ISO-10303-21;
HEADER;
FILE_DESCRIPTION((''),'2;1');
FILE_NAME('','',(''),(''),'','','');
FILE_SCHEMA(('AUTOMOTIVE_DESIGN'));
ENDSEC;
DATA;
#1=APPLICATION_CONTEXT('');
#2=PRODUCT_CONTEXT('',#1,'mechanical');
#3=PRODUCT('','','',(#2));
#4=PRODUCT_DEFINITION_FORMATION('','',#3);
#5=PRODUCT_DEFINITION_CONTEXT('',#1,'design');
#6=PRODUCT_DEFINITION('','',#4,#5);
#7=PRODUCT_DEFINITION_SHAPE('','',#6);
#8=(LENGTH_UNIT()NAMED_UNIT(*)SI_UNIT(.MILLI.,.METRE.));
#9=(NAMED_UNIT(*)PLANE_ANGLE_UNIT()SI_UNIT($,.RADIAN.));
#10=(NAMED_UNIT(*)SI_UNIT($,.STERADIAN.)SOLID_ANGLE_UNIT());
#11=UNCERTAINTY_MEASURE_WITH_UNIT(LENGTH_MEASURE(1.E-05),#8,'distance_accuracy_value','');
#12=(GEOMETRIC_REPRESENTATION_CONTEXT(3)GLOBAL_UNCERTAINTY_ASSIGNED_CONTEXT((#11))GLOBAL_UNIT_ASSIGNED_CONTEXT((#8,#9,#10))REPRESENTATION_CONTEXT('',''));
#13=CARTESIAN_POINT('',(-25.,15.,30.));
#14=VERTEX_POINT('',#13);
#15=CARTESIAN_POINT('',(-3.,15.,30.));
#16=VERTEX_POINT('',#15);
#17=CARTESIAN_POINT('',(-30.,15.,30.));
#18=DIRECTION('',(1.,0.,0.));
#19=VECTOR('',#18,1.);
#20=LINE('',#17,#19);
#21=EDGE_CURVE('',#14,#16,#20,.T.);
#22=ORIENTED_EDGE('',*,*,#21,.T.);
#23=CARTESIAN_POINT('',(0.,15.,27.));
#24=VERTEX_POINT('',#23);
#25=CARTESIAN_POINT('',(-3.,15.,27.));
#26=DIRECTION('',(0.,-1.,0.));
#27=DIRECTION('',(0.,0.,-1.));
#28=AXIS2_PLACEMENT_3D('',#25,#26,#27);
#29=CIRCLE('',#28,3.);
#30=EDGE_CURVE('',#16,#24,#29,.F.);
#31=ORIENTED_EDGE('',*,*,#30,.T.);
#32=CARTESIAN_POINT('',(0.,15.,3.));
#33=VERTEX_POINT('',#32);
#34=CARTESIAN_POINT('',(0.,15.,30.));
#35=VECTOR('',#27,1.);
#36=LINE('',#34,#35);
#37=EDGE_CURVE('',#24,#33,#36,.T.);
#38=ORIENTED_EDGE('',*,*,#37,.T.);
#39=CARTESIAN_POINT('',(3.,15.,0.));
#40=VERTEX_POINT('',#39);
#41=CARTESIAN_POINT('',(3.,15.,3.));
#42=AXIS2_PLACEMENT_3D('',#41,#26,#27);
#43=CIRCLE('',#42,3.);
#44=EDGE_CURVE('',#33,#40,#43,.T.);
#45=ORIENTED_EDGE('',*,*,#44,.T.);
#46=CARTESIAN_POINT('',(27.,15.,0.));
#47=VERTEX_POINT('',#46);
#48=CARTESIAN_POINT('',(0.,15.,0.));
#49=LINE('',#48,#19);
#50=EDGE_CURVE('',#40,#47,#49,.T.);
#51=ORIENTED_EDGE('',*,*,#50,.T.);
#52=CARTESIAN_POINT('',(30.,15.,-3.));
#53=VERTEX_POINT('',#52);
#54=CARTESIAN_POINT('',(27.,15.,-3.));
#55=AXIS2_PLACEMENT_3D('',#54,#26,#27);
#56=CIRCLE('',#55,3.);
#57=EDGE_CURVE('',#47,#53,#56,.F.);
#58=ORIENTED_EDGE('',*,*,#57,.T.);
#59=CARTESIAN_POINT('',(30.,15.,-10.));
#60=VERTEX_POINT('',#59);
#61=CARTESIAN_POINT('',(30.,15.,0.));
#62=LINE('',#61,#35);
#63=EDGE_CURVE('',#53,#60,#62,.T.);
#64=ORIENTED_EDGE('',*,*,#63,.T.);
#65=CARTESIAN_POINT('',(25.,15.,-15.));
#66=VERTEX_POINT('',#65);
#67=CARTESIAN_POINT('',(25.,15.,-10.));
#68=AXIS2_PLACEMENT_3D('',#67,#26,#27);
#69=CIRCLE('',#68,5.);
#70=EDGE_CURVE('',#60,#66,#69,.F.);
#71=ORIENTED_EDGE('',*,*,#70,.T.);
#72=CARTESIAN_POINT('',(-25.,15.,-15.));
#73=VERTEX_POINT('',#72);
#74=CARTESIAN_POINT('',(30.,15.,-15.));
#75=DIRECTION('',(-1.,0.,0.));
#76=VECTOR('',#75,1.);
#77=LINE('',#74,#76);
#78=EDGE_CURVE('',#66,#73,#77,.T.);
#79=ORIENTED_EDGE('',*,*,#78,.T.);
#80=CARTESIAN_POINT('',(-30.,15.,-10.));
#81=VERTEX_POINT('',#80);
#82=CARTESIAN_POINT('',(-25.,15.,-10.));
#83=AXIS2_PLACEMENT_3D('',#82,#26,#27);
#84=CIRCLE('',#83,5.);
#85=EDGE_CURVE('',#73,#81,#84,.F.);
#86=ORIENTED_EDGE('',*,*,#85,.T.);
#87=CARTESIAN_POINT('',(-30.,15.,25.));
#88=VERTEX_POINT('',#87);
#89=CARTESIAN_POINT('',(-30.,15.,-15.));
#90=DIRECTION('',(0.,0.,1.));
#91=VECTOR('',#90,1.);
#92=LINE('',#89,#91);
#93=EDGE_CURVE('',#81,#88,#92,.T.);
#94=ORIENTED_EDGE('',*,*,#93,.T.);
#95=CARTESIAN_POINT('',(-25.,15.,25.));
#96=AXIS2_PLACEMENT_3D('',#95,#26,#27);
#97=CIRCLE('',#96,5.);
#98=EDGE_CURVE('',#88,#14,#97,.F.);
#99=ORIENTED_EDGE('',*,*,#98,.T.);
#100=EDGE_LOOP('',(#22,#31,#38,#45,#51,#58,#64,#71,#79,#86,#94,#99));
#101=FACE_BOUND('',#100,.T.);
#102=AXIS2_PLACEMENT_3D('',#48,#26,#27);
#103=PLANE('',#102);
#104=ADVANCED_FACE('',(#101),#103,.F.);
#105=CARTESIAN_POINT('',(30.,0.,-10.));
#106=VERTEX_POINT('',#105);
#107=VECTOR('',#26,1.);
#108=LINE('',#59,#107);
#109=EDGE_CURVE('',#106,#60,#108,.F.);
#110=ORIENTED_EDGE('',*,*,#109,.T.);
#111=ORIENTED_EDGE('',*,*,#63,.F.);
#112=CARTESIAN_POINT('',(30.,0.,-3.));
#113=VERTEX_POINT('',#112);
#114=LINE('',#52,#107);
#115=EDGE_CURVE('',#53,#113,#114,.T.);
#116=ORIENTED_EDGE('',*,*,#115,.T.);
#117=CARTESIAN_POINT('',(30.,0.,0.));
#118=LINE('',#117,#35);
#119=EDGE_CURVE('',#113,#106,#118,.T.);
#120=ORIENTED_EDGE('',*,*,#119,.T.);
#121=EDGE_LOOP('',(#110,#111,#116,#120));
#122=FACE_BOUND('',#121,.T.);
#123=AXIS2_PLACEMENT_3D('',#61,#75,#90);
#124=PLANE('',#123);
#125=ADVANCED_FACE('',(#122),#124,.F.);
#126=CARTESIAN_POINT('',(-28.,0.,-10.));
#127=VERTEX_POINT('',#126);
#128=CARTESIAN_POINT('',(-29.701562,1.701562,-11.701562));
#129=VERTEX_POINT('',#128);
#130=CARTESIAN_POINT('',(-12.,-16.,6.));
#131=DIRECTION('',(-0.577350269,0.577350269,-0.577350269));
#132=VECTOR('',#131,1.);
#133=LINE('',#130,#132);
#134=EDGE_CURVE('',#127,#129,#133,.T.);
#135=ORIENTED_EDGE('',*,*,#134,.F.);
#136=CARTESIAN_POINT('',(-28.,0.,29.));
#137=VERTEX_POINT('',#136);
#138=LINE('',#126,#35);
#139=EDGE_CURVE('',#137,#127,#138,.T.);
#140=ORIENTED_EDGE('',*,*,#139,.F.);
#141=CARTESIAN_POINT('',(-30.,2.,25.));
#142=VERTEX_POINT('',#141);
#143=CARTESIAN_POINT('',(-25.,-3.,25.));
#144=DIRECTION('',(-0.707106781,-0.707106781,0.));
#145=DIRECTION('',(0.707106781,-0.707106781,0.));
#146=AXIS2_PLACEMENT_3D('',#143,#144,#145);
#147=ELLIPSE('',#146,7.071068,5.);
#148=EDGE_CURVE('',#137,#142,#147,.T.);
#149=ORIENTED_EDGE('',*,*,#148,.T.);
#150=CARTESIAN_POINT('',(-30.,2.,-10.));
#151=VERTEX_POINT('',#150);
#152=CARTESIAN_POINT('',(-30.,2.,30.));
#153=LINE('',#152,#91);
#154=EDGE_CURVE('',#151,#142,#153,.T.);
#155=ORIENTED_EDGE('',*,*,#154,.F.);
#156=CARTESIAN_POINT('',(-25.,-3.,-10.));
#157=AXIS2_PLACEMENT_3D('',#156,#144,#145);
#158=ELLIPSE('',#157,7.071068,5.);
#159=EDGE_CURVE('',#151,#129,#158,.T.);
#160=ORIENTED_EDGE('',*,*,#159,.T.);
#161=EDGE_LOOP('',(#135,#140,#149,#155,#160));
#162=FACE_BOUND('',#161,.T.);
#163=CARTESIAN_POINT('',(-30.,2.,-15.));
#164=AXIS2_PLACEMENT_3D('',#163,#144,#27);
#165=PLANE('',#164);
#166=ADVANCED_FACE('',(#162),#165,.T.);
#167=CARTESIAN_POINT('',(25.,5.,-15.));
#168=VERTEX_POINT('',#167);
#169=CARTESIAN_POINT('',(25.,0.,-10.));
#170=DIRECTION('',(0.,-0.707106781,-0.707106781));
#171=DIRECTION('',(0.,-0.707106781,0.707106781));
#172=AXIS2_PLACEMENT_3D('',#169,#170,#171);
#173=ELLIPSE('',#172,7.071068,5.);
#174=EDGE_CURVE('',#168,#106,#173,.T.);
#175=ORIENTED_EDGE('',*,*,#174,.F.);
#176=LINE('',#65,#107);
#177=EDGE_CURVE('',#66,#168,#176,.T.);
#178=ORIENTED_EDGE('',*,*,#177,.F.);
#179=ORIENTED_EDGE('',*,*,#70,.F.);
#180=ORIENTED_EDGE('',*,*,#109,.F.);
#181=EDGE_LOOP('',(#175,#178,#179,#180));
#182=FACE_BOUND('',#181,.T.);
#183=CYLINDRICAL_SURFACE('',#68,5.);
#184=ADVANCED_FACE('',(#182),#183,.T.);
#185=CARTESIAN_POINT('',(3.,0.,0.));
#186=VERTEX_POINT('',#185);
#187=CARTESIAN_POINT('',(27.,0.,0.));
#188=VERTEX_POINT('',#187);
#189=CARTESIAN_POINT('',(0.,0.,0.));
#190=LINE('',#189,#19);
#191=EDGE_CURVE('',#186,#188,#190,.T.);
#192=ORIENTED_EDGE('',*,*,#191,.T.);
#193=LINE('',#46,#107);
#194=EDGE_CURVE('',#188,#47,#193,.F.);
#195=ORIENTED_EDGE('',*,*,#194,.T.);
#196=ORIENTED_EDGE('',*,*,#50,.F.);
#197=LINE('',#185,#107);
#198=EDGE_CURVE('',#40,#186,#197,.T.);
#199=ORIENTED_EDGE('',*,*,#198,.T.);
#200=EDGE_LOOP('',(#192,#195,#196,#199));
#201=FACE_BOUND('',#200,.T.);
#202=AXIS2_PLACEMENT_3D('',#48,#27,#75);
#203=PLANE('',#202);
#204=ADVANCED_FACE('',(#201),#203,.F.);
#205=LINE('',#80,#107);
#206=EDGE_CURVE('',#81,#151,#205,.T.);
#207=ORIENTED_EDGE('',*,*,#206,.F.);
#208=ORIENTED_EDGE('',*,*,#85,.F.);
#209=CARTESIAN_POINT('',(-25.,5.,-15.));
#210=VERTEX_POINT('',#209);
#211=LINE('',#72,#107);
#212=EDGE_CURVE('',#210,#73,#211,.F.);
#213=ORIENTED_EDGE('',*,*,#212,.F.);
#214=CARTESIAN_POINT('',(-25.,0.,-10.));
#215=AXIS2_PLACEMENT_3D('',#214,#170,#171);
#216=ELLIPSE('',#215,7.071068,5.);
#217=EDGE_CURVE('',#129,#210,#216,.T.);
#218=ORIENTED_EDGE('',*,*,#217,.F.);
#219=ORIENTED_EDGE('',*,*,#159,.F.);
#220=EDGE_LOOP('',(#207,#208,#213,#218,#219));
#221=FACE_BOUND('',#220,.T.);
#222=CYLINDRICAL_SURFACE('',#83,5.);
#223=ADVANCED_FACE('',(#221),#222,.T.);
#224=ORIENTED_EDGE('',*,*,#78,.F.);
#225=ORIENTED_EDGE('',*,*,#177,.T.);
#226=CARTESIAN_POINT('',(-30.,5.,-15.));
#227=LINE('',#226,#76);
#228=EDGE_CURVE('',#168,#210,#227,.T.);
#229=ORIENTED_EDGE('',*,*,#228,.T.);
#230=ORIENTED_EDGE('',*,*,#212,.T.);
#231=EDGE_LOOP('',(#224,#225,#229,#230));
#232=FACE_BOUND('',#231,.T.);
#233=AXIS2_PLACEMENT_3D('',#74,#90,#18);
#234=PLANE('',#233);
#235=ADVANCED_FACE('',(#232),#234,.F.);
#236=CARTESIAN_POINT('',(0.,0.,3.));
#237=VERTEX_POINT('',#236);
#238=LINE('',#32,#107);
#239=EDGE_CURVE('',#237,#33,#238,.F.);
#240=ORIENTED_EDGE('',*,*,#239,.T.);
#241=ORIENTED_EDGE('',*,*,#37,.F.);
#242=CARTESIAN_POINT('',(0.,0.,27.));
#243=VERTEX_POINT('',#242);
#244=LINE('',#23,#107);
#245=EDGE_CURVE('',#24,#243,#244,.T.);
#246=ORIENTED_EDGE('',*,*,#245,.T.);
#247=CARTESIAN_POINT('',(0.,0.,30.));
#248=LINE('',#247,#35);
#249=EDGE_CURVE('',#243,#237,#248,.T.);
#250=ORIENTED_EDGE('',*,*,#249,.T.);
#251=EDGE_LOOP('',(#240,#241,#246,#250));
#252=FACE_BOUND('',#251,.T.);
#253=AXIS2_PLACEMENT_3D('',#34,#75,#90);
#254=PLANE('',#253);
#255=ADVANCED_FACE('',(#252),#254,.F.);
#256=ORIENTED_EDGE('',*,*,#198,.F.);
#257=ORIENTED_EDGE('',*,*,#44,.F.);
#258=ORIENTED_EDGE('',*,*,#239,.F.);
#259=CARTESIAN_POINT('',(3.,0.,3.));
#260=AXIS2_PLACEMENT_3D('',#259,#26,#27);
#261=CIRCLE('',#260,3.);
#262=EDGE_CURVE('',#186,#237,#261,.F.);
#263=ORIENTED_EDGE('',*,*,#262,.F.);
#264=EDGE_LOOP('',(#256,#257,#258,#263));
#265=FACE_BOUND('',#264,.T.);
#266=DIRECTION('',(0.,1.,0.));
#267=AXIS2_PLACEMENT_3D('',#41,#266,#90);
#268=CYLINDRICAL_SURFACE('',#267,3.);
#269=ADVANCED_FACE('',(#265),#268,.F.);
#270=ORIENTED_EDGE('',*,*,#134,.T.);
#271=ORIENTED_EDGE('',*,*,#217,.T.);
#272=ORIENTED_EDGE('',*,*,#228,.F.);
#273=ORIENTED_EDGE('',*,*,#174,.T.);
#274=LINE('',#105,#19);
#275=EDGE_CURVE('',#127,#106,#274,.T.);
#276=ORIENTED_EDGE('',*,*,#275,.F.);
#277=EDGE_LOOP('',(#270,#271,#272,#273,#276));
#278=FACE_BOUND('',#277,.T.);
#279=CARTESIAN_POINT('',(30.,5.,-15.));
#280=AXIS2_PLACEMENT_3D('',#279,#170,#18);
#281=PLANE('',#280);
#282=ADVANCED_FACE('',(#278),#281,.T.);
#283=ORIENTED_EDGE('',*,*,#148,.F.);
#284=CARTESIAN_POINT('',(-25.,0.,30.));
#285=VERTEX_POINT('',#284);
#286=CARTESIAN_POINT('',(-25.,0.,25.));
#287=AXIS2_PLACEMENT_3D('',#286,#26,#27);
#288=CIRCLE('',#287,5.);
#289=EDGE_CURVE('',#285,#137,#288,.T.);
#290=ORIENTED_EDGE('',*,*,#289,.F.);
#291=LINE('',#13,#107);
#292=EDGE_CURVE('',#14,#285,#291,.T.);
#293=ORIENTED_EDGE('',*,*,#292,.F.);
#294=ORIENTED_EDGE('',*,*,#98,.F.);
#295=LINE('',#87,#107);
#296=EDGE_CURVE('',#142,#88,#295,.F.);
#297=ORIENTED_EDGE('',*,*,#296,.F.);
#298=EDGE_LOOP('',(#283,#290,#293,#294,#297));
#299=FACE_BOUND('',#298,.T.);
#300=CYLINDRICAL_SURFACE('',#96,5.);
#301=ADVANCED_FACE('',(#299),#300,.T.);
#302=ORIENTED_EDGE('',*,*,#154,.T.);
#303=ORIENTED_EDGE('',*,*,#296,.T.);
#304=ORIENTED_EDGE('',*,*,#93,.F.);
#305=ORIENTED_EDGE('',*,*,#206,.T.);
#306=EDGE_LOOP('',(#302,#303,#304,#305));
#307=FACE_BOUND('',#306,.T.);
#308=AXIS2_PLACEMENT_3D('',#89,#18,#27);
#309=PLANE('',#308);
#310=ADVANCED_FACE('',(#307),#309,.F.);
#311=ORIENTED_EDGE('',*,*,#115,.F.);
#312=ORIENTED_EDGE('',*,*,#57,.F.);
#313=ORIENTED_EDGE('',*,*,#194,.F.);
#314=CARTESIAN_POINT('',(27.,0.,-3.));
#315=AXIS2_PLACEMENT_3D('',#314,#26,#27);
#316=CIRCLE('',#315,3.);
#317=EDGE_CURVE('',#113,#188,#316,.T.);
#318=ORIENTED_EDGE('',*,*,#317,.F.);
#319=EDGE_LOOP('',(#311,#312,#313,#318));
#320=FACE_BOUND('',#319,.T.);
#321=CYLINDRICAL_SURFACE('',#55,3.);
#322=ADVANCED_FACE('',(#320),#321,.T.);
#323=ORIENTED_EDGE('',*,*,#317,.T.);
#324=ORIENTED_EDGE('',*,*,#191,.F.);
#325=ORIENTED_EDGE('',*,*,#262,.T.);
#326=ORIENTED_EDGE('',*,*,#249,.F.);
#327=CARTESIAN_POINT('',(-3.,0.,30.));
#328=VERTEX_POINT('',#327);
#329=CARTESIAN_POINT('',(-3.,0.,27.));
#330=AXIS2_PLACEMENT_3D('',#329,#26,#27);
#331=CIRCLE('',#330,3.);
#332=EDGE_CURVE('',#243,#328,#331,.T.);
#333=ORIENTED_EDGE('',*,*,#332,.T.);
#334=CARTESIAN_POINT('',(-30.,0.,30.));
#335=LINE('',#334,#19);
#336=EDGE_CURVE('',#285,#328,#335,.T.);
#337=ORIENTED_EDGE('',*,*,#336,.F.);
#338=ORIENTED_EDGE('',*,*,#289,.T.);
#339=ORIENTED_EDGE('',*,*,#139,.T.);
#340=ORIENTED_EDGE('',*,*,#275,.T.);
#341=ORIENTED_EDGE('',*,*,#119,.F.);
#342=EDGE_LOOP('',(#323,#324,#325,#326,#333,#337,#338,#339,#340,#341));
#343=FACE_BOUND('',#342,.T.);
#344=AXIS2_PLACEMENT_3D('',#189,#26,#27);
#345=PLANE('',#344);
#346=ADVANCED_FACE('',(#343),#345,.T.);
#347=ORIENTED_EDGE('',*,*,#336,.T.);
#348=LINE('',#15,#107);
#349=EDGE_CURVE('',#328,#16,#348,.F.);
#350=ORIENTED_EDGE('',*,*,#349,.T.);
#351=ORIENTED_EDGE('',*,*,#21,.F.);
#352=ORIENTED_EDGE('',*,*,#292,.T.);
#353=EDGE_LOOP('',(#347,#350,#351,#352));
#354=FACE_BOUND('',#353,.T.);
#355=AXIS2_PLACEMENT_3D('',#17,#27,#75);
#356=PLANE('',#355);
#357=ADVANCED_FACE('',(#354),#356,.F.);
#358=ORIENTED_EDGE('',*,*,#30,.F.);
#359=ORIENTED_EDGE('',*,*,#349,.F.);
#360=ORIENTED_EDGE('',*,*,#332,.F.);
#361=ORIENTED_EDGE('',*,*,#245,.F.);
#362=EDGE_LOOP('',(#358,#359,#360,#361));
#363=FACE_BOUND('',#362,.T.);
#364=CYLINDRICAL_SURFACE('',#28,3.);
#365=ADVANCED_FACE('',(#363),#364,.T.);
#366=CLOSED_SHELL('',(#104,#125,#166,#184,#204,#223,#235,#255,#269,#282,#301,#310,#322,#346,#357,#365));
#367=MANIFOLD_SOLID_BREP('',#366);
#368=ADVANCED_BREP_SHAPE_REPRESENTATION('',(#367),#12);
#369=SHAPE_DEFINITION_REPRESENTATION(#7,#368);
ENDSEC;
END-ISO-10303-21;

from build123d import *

# Parameters (mm, degrees)
BOSS_EXTRUDE1_DEPTH = 15
CHAMFER1_SIZE       = 5
CHAMFER2_SIZE       = 2
FILLET1_R           = 3
FILLET2_R           = 5


with BuildPart() as part:
    # Sketch1 → Boss-Extrude1 (new body)
    with BuildSketch(Plane(origin=(0, 0, 0), x_dir=(1, 0, 0), z_dir=(0, 1, 0))):
        Polygon((0, 0), (30, 0), (30, 15), (-30, 15), (-30, -30), (0, -30), align=None)
    extrude(amount=BOSS_EXTRUDE1_DEPTH)

    # Chamfer1
    chamfer1_edges = [part.edges().sort_by_distance(p)[0] for p in [
        (0, 0, -15),
    ]]
    chamfer(chamfer1_edges, length=CHAMFER1_SIZE)

    # Chamfer2
    chamfer2_edges = [part.edges().sort_by_distance(p)[0] for p in [
        (-30, 0, 10),
    ]]
    chamfer(chamfer2_edges, length=CHAMFER2_SIZE)

    # Fillet1
    fillet1_edges = [part.edges().sort_by_distance(p)[0] for p in [
        (0, 7.5, 30),
        (30, 7.5, 0),
        (0, 7.5, 0),
    ]]
    fillet(fillet1_edges, radius=FILLET1_R)

    # Fillet2
    fillet2_edges = [part.edges().sort_by_distance(p)[0] for p in [
        (30, 10, -15),
        (-30, 8.5, 30),
        (-30, 10, -15),
    ]]
    fillet(fillet2_edges, radius=FILLET2_R)


solid = part.part
